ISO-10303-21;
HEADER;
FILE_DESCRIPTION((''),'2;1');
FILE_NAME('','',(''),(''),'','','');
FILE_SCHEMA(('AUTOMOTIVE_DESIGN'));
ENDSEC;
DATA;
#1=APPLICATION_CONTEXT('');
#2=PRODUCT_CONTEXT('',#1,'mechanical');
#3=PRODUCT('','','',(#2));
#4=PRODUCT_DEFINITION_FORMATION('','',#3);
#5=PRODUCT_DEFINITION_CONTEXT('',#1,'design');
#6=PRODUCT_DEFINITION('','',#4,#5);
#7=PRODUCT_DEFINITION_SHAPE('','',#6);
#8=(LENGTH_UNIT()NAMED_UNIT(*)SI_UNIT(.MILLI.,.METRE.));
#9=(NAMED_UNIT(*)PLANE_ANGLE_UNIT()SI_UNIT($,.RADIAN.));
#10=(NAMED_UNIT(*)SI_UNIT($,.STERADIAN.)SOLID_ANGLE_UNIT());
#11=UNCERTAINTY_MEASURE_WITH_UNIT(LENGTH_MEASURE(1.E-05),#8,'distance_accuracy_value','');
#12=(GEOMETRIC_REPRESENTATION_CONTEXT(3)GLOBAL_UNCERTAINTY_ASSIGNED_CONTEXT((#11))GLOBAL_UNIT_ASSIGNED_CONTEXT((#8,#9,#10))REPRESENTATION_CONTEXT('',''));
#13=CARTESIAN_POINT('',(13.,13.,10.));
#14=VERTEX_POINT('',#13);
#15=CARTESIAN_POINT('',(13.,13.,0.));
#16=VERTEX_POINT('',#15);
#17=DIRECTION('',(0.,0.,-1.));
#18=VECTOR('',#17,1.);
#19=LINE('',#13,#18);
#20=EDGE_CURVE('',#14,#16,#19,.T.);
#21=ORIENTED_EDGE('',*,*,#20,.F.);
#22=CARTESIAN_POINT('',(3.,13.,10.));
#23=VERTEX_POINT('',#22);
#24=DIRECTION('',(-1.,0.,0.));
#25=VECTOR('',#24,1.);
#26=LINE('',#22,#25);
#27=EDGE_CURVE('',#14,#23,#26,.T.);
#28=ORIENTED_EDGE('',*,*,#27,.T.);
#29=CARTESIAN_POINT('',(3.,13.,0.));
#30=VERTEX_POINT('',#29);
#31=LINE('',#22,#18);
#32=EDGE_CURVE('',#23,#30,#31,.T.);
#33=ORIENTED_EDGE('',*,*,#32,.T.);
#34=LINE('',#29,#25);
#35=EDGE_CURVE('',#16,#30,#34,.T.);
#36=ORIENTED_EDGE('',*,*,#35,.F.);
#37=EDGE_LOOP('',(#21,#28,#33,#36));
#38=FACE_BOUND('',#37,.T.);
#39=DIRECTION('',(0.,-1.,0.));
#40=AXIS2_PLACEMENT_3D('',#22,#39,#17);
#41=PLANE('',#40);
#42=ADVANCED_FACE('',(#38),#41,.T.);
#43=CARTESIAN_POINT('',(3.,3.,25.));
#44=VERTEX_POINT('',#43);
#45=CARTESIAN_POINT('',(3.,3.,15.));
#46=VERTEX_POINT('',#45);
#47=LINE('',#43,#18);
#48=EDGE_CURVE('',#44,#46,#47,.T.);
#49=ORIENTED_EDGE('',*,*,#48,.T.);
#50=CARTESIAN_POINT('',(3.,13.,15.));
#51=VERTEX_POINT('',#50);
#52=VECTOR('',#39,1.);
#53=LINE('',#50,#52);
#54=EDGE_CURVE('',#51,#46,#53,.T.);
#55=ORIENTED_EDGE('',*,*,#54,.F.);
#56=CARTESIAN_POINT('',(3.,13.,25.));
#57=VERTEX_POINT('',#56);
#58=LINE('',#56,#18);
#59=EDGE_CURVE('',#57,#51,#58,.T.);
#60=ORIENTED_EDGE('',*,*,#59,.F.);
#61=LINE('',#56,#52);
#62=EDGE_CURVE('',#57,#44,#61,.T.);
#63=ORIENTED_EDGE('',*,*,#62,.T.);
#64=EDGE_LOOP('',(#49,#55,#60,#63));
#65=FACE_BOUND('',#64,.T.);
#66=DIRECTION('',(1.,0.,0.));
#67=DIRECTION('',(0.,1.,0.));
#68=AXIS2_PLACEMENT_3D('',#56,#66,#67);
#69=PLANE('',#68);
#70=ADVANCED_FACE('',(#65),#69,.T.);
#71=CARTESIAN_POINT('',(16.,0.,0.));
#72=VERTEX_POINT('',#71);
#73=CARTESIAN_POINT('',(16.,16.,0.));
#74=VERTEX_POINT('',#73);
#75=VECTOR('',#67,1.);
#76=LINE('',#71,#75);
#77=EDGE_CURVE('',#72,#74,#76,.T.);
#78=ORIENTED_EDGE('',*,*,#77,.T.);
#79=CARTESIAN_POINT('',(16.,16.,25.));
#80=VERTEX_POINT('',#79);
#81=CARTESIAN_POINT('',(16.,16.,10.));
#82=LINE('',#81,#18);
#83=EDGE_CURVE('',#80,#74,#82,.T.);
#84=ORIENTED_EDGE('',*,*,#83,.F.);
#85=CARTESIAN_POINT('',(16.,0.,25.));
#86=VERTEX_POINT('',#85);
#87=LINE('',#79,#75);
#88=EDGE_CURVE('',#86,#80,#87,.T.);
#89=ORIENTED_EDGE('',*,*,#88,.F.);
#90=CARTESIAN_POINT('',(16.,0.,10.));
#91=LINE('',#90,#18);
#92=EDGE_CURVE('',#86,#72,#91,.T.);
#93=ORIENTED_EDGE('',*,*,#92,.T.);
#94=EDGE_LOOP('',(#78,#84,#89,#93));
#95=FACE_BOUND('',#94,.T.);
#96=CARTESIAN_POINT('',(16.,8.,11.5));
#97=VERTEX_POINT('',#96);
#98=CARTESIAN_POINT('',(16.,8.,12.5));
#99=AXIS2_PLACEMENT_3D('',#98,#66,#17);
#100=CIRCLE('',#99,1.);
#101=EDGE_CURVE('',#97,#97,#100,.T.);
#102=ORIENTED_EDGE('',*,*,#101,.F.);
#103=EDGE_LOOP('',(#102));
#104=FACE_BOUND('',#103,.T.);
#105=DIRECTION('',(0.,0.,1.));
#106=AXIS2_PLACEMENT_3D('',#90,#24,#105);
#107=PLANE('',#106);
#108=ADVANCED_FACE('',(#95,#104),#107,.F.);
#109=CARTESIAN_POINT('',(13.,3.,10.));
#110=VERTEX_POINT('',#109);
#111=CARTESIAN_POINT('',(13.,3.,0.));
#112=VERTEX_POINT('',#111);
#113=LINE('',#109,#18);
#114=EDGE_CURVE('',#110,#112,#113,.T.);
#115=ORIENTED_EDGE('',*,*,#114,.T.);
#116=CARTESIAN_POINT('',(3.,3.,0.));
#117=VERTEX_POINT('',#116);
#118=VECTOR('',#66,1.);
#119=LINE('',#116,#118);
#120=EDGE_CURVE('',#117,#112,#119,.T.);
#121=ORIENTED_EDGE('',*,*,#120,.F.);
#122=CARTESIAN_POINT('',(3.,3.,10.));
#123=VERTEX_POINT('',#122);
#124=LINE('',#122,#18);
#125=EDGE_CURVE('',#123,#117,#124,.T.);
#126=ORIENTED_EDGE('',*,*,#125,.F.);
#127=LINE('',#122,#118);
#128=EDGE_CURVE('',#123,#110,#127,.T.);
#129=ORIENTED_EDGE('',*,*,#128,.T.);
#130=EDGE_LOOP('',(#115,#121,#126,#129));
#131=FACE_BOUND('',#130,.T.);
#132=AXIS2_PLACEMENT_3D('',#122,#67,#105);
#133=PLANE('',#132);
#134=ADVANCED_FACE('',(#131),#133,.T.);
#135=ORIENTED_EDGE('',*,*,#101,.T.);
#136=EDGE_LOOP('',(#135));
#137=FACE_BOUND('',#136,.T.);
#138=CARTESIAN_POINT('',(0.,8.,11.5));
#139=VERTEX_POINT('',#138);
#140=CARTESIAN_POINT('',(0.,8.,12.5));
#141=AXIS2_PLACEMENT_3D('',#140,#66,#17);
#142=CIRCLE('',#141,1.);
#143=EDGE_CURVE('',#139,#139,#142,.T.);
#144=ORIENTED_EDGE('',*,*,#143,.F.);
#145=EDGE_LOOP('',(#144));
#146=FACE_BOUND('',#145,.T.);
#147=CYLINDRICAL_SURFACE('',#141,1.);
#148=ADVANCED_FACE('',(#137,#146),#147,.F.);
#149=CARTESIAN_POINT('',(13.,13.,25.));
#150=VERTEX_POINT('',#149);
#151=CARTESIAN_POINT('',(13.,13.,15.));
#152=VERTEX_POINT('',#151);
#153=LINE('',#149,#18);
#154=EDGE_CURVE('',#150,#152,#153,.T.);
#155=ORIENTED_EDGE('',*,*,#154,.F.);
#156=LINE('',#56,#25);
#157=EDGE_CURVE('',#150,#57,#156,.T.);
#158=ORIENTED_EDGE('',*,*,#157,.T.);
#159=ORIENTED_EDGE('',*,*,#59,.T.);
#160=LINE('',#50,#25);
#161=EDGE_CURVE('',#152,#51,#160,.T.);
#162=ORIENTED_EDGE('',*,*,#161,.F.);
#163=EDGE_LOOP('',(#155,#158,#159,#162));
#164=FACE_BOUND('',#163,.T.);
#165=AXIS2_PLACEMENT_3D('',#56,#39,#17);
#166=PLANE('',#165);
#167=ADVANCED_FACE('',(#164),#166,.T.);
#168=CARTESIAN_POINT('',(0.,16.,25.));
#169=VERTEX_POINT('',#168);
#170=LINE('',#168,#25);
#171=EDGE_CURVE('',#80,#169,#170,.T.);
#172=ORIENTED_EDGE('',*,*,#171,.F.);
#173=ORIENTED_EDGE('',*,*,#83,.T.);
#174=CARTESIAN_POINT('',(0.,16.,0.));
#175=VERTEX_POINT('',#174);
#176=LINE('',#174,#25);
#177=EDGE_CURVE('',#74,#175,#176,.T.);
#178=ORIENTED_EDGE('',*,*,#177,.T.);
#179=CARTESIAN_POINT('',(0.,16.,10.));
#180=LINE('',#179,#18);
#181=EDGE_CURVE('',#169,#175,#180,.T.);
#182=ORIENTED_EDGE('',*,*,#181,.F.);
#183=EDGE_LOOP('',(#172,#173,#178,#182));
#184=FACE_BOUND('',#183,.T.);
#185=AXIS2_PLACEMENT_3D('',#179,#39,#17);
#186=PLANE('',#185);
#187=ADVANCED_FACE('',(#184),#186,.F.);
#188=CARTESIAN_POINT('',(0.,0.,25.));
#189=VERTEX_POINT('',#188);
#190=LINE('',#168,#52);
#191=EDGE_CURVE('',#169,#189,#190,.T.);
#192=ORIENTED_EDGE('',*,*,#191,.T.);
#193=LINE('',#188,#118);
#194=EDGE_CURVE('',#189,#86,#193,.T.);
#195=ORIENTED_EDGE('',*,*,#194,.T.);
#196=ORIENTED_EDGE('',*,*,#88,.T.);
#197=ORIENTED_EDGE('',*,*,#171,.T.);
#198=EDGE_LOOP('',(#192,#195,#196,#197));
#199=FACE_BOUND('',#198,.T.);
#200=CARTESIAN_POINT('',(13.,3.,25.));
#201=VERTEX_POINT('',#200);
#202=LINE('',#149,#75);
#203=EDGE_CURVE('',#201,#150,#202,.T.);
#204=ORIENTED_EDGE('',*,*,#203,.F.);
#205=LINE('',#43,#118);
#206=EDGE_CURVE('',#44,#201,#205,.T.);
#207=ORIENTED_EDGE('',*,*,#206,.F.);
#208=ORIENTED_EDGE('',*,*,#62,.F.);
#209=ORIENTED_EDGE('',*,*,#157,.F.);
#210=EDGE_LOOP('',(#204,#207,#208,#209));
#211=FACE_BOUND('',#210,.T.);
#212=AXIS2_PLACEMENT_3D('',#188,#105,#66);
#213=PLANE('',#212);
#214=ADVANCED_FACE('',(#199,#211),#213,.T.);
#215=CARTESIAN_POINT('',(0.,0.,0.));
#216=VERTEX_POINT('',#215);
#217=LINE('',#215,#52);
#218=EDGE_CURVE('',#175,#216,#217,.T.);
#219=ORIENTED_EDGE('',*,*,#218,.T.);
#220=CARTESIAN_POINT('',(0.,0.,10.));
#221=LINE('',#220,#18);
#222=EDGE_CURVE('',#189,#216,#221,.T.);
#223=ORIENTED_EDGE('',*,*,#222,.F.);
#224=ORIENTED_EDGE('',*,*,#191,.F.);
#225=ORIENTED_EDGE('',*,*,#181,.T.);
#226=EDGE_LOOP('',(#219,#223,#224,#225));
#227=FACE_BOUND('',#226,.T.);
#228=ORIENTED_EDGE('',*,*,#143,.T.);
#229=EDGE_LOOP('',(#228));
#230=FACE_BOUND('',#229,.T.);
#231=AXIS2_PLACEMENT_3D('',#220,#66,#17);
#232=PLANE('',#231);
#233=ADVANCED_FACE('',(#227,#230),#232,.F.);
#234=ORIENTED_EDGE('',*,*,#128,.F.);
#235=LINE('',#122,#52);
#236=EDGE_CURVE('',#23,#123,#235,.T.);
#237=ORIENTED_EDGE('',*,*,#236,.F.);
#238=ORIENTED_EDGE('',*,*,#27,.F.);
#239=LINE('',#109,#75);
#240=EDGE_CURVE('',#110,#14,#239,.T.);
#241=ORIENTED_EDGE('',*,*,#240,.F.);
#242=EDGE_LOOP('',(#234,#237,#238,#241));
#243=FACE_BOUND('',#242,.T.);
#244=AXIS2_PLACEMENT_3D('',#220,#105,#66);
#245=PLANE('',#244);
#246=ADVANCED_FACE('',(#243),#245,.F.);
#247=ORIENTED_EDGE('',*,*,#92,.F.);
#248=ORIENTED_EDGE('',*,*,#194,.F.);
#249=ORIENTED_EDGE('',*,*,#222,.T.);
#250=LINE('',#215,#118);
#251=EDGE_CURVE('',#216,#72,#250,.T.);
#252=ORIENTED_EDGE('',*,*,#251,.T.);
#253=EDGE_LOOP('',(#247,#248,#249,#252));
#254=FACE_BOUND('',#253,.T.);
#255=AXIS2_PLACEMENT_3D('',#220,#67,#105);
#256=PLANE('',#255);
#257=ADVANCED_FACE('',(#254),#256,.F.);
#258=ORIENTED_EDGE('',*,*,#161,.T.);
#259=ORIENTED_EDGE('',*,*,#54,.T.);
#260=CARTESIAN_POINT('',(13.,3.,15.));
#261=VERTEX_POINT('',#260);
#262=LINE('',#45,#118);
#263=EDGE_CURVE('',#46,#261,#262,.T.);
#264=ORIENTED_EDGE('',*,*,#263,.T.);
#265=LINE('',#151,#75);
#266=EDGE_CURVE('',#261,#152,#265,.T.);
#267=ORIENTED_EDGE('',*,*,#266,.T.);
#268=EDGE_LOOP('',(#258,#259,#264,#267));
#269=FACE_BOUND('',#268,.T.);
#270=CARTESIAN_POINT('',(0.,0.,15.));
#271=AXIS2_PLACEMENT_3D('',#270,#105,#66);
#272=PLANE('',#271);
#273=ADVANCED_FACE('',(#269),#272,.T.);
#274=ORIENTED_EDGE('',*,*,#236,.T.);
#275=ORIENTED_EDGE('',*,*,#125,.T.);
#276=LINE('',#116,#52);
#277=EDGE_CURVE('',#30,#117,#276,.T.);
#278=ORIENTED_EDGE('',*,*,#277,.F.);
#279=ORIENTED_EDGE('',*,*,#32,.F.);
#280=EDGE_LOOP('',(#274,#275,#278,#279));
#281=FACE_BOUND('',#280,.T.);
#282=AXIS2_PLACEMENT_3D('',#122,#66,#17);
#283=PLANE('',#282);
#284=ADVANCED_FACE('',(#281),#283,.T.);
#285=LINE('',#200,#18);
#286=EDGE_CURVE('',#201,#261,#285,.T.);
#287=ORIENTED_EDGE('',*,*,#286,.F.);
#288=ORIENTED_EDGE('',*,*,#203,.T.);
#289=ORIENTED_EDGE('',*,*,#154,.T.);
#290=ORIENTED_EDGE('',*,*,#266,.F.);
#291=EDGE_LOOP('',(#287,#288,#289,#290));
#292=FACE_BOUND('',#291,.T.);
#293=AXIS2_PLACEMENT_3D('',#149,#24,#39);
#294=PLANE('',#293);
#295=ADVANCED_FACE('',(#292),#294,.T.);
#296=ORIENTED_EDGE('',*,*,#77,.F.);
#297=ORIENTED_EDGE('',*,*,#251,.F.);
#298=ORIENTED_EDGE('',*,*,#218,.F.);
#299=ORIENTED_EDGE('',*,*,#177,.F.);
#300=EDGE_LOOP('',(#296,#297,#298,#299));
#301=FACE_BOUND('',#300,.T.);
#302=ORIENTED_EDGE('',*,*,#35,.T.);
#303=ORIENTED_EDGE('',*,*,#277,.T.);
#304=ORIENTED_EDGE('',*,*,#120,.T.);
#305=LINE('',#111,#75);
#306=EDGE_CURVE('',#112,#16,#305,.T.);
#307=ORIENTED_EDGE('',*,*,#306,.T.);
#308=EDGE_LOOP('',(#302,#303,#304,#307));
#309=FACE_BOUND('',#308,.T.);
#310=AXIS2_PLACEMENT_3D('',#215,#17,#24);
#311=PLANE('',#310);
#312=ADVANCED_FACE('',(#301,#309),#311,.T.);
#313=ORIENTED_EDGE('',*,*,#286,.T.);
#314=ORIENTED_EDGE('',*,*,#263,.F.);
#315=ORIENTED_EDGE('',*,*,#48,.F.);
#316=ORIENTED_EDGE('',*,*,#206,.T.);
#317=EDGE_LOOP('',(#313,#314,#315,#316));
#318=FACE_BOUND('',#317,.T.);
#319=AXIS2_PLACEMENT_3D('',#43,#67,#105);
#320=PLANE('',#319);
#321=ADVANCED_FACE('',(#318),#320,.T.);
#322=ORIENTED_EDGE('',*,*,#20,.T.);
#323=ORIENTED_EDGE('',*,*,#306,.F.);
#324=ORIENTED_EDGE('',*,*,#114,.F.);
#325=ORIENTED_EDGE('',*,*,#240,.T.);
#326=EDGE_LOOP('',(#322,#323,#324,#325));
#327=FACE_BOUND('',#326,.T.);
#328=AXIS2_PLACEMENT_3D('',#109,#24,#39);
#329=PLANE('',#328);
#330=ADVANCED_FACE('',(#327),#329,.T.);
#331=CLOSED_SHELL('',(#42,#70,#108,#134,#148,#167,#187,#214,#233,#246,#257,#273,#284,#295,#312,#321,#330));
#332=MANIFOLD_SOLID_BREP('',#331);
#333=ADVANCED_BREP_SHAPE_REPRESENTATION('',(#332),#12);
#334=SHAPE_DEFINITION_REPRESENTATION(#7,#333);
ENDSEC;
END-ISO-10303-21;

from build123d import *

# Parameters (mm, degrees)
SKETCH_1_W          = 16
SKETCH_1_H          = 16
SKETCH_1_W_2        = 10
SKETCH_1_H_2        = 10
EXTRUDE_1_DEPTH     = 10
SKETCH_2_W          = 16
SKETCH_2_H          = 16
EXTRUDE_2_DEPTH     = 5
SKETCH_3_W          = 16
SKETCH_3_H          = 16
SKETCH_3_W_2        = 10
SKETCH_3_H_2        = 10
EXTRUDE_3_DEPTH     = 10
SKETCH_6_R          = 1
CUT_EXTRUDE_1_DEPTH = 16


with BuildPart() as part:
    # 草图1 → 凸台-拉伸1 (new body)
    with BuildSketch(Plane.XY):
        with Locations((8, 8)):
            Rectangle(SKETCH_1_W, SKETCH_1_H)
        with Locations((8, 8)):
            Rectangle(SKETCH_1_W_2, SKETCH_1_H_2, mode=Mode.SUBTRACT)
    extrude(amount=EXTRUDE_1_DEPTH)

    # 草图2 → 凸台-拉伸2 (add)
    with BuildSketch(Plane.XY.offset(10)):
        with Locations((8, 8)):
            Rectangle(SKETCH_2_W, SKETCH_2_H)
    extrude(amount=EXTRUDE_2_DEPTH)

    # 草图3 → 凸台-拉伸3 (add)
    with BuildSketch(Plane.XY.offset(15)):
        with Locations((8, 8)):
            Rectangle(SKETCH_3_W, SKETCH_3_H)
        with Locations((8, 8)):
            Rectangle(SKETCH_3_W_2, SKETCH_3_H_2, mode=Mode.SUBTRACT)
    extrude(amount=EXTRUDE_3_DEPTH)

    # 草图6 → 切除-拉伸1 (cut)
    with BuildSketch(Plane(origin=(16, 0, 0), x_dir=(0, 0, -1), z_dir=(1, 0, 0))):
        with Locations((-12.5, 8)):
            Circle(SKETCH_6_R)
    extrude(amount=-CUT_EXTRUDE_1_DEPTH, mode=Mode.SUBTRACT)


solid = part.part
